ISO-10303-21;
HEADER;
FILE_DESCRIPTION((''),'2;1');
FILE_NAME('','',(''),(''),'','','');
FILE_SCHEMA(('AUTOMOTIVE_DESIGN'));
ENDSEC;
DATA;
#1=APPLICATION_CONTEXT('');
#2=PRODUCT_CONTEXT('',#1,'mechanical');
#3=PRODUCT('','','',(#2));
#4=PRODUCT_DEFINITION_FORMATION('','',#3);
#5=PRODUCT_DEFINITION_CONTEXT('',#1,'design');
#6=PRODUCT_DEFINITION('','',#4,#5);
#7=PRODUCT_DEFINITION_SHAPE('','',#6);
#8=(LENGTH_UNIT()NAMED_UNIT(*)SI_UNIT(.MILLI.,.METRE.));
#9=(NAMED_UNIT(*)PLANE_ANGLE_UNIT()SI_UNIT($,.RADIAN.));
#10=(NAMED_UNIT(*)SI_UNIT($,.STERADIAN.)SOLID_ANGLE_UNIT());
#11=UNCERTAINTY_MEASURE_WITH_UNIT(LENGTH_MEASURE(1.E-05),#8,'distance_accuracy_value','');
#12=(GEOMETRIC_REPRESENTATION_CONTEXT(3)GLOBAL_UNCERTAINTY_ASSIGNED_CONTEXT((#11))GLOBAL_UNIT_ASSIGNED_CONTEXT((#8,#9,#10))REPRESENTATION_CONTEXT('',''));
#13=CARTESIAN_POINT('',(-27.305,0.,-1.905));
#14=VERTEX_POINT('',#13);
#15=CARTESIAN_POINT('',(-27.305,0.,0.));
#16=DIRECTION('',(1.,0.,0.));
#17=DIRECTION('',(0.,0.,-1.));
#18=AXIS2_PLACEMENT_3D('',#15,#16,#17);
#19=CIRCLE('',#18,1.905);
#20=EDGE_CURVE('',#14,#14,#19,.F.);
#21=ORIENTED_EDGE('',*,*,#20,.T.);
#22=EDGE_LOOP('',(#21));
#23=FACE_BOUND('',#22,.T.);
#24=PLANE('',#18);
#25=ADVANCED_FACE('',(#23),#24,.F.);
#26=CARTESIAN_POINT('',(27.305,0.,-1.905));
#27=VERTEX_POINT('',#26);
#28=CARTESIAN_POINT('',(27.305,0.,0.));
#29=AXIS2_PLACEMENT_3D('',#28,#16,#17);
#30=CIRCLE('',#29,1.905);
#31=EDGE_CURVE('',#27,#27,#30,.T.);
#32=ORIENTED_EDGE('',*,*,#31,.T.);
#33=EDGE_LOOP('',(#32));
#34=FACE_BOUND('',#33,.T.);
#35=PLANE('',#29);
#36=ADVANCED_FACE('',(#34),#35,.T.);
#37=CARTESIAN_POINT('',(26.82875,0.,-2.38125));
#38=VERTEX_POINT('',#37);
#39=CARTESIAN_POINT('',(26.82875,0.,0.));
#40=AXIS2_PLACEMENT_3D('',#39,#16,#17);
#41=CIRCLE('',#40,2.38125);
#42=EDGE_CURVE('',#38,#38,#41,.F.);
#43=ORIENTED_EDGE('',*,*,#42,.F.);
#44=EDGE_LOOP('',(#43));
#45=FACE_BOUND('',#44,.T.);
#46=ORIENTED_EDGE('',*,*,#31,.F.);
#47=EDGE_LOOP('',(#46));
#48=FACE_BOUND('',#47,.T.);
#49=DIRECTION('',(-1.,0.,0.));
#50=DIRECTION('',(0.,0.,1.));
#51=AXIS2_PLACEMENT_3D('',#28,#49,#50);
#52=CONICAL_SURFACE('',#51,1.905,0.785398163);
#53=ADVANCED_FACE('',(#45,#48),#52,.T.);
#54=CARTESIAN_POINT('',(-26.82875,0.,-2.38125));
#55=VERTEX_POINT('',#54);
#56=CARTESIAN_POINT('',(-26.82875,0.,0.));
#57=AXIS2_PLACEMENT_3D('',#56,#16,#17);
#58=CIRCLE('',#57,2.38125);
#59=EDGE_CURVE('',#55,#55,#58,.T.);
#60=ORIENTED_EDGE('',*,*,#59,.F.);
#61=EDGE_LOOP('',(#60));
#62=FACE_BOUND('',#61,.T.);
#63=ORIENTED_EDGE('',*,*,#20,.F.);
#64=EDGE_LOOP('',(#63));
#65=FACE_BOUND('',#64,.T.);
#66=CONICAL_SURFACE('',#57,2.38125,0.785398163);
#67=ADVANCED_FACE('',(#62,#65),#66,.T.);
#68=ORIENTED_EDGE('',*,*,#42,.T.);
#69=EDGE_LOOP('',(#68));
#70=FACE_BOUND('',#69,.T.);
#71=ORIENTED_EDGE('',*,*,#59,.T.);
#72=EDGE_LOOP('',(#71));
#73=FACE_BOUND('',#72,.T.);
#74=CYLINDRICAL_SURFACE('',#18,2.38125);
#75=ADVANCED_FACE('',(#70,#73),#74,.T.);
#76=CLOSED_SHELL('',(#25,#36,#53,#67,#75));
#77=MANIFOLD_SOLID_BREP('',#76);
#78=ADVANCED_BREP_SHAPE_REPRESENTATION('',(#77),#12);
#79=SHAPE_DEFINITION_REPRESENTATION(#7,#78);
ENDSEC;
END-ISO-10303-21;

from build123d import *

# Parameters (mm, degrees)
SKETCH2_R           = 2.38125
EXTRUDE1_DEPTH      = 27.305
EXTRUDE1_DEPTH_BACK = 27.305
CHAMFER1_SIZE       = 0.47625


with BuildPart() as part:
    # Sketch2 → Extrude1 (new body, two sides)
    with BuildSketch(Plane(origin=(0, 0, 0), x_dir=(0, 0, -1), z_dir=(1, 0, 0))) as extrude1_sk:
        Circle(SKETCH2_R)
    extrude(amount=EXTRUDE1_DEPTH)
    extrude(extrude1_sk.sketch, amount=-EXTRUDE1_DEPTH_BACK)

    # Chamfer1
    chamfer1_edges = [part.edges().sort_by_distance(p)[0] for p in [
        (-27.305, 0, 2.38125),
        (27.305, 0, 2.38125),
    ]]
    chamfer(chamfer1_edges, length=CHAMFER1_SIZE)


solid = part.part
